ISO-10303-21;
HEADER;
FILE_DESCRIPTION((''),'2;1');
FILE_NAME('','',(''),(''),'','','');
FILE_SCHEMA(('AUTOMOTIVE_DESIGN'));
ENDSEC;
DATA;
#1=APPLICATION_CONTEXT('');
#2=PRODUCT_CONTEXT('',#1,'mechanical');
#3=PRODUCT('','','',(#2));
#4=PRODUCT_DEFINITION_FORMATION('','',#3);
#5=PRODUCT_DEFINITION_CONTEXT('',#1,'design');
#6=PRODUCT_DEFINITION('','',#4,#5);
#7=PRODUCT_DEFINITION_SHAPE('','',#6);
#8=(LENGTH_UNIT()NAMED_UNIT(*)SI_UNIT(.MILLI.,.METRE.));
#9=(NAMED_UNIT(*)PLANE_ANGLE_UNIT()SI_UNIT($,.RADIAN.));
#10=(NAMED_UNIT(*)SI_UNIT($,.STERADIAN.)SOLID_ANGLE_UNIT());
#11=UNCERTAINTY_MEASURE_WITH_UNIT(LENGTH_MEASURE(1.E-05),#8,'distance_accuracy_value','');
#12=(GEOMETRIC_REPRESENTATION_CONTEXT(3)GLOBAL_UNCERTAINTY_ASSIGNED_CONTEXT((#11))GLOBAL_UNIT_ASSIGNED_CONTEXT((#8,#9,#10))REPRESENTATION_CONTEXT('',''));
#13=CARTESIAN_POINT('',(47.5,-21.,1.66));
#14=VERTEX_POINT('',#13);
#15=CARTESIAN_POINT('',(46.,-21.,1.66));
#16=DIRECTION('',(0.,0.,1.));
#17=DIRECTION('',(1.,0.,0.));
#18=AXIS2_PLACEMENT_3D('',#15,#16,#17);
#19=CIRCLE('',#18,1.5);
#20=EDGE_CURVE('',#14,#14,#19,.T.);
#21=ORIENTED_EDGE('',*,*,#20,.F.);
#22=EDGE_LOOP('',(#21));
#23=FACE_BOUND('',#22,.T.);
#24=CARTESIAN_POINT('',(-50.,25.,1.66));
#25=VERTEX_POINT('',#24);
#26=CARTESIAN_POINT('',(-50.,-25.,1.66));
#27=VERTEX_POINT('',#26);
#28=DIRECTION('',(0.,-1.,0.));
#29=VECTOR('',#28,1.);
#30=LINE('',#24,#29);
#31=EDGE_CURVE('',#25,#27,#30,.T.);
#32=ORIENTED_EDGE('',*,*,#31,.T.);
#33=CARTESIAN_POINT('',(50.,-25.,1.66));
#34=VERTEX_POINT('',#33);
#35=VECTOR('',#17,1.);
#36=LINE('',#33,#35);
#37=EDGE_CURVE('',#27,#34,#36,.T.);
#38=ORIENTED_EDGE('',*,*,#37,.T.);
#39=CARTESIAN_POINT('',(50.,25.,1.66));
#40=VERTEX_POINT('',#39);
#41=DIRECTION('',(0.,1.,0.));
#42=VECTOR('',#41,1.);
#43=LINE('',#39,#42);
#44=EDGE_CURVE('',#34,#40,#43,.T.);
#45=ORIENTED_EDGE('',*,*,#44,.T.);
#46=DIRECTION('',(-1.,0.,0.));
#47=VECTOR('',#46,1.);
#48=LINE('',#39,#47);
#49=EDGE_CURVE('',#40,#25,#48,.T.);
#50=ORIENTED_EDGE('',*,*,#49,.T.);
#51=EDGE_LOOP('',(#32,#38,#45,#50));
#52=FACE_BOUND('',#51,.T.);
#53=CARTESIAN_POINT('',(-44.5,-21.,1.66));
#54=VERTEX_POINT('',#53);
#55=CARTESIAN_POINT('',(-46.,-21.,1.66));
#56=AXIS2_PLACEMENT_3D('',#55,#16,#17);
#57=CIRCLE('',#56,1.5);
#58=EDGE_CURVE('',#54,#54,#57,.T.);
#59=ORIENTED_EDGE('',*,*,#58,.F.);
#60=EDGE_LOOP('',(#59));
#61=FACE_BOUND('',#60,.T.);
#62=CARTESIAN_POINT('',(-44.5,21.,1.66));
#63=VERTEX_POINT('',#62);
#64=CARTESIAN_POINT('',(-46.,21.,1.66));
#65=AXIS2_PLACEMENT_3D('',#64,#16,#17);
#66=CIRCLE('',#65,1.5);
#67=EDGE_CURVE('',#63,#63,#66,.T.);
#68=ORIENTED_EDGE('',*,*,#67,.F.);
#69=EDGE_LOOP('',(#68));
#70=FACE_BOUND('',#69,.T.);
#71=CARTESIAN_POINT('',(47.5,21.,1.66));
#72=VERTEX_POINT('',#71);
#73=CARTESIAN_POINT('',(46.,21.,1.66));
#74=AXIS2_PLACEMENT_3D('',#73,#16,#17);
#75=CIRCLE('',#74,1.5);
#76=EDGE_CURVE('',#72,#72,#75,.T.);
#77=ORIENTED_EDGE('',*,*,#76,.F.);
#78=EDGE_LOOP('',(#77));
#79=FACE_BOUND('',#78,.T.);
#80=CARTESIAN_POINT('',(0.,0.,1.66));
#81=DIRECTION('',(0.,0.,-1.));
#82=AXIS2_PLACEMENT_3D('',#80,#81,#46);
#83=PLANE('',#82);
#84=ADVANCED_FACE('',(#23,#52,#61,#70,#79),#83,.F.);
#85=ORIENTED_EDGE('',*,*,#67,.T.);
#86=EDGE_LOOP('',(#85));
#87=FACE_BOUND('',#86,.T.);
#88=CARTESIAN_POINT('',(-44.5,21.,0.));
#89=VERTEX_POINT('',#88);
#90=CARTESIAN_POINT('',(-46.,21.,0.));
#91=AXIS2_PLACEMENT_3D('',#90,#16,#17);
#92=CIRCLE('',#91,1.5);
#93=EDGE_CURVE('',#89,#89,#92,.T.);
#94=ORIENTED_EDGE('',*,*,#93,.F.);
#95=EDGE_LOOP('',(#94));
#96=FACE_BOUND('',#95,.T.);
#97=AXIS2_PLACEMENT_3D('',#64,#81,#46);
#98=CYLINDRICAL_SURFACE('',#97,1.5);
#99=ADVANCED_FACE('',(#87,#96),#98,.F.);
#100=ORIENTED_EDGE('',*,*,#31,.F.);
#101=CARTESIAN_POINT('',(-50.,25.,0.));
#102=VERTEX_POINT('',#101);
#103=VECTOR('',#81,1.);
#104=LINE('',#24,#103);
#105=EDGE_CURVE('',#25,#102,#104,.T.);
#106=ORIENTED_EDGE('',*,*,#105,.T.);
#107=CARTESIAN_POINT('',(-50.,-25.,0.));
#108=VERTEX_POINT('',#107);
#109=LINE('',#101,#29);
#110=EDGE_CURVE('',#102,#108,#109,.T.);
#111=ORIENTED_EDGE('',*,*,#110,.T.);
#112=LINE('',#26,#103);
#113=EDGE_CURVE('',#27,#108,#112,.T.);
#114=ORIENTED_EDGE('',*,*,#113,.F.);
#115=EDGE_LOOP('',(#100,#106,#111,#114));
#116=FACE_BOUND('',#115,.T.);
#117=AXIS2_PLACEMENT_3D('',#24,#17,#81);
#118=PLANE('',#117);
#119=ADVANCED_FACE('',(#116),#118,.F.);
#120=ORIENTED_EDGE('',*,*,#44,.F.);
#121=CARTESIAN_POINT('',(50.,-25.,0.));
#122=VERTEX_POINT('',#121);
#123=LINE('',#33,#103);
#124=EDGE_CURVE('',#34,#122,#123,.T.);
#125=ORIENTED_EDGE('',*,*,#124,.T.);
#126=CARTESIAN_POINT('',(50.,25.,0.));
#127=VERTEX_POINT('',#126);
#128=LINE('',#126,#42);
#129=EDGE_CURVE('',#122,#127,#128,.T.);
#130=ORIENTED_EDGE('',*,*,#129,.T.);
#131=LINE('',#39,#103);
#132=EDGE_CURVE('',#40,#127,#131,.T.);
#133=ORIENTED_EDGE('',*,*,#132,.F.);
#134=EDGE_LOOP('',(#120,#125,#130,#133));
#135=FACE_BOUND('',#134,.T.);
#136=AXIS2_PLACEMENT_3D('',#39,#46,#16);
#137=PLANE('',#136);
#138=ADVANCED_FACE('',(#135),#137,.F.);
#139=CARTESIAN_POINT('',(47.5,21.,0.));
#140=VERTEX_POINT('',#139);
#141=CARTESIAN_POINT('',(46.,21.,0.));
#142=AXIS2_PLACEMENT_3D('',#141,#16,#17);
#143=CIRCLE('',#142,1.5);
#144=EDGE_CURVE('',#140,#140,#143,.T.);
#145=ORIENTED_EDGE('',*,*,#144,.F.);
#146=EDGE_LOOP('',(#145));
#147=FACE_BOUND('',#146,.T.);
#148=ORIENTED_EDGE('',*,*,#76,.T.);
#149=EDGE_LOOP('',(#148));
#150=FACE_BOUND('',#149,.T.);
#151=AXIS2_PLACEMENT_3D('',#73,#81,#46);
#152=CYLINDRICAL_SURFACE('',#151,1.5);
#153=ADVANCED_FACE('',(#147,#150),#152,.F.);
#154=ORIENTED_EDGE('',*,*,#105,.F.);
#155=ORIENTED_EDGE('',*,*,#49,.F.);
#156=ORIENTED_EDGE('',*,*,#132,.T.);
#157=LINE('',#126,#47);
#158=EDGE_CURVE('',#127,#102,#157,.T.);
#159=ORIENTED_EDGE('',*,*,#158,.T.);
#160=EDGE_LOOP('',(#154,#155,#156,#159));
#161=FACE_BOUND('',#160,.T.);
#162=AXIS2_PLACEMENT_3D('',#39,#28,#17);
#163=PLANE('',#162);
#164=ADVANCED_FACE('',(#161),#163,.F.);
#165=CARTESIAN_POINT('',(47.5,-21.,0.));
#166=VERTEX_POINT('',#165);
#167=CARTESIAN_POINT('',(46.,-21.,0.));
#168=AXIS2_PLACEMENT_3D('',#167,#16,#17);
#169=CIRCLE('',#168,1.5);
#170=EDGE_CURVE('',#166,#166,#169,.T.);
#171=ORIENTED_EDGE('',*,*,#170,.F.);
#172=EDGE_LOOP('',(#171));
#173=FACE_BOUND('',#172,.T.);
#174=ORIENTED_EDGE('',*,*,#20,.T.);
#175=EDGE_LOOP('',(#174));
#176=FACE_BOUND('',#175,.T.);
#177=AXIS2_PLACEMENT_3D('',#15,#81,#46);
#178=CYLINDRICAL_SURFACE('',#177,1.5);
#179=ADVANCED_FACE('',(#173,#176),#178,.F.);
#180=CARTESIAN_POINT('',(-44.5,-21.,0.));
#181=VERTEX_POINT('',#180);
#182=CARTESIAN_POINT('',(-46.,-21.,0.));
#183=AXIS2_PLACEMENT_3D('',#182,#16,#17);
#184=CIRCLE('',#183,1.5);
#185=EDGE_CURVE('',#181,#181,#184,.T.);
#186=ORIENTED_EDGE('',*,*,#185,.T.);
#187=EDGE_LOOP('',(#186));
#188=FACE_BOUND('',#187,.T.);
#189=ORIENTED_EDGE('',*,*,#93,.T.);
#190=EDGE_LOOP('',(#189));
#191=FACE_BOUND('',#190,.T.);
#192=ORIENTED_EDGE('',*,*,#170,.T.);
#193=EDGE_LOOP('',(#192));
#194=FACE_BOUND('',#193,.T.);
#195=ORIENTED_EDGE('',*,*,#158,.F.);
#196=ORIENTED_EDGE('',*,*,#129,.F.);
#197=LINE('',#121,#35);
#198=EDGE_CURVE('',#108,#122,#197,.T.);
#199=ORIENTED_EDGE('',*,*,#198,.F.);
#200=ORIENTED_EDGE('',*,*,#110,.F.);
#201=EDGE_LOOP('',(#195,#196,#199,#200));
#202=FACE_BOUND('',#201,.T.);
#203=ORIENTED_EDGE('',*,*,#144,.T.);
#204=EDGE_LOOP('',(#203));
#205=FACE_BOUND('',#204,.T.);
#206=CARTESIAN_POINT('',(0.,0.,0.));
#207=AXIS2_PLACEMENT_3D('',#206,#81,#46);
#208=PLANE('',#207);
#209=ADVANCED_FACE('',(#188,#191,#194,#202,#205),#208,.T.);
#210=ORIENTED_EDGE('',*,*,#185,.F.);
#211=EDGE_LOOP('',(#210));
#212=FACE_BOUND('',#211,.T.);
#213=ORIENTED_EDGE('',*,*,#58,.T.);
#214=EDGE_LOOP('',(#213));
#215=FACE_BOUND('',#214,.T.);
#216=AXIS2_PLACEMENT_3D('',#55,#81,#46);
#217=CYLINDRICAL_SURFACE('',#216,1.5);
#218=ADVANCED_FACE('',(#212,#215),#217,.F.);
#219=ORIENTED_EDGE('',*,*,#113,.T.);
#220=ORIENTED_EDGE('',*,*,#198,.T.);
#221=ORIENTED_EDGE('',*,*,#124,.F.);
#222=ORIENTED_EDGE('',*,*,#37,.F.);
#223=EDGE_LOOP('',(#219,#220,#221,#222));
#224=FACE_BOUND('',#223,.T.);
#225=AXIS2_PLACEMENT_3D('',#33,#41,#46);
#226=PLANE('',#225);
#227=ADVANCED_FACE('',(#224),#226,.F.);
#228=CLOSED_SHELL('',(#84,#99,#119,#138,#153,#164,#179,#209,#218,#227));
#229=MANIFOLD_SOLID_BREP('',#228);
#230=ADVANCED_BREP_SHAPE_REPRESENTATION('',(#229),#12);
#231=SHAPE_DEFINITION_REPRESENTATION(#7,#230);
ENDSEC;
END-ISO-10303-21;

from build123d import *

# Parameters (mm, degrees)
ESQUISSE1_W        = 100
ESQUISSE1_H        = 50
ESQUISSE1_R        = 1.5
BOSS_EXTRU_1_DEPTH = 1.66


with BuildPart() as part:
    # Esquisse1 → Boss.-Extru.1 (new body)
    with BuildSketch(Plane.XY):
        Rectangle(ESQUISSE1_W, ESQUISSE1_H)
        with Locations((-46, 21)):
            Circle(ESQUISSE1_R, mode=Mode.SUBTRACT)
        with Locations((-46, -21)):
            Circle(ESQUISSE1_R, mode=Mode.SUBTRACT)
        with Locations((46, 21)):
            Circle(ESQUISSE1_R, mode=Mode.SUBTRACT)
        with Locations((46, -21)):
            Circle(ESQUISSE1_R, mode=Mode.SUBTRACT)
    extrude(amount=BOSS_EXTRU_1_DEPTH)


solid = part.part
